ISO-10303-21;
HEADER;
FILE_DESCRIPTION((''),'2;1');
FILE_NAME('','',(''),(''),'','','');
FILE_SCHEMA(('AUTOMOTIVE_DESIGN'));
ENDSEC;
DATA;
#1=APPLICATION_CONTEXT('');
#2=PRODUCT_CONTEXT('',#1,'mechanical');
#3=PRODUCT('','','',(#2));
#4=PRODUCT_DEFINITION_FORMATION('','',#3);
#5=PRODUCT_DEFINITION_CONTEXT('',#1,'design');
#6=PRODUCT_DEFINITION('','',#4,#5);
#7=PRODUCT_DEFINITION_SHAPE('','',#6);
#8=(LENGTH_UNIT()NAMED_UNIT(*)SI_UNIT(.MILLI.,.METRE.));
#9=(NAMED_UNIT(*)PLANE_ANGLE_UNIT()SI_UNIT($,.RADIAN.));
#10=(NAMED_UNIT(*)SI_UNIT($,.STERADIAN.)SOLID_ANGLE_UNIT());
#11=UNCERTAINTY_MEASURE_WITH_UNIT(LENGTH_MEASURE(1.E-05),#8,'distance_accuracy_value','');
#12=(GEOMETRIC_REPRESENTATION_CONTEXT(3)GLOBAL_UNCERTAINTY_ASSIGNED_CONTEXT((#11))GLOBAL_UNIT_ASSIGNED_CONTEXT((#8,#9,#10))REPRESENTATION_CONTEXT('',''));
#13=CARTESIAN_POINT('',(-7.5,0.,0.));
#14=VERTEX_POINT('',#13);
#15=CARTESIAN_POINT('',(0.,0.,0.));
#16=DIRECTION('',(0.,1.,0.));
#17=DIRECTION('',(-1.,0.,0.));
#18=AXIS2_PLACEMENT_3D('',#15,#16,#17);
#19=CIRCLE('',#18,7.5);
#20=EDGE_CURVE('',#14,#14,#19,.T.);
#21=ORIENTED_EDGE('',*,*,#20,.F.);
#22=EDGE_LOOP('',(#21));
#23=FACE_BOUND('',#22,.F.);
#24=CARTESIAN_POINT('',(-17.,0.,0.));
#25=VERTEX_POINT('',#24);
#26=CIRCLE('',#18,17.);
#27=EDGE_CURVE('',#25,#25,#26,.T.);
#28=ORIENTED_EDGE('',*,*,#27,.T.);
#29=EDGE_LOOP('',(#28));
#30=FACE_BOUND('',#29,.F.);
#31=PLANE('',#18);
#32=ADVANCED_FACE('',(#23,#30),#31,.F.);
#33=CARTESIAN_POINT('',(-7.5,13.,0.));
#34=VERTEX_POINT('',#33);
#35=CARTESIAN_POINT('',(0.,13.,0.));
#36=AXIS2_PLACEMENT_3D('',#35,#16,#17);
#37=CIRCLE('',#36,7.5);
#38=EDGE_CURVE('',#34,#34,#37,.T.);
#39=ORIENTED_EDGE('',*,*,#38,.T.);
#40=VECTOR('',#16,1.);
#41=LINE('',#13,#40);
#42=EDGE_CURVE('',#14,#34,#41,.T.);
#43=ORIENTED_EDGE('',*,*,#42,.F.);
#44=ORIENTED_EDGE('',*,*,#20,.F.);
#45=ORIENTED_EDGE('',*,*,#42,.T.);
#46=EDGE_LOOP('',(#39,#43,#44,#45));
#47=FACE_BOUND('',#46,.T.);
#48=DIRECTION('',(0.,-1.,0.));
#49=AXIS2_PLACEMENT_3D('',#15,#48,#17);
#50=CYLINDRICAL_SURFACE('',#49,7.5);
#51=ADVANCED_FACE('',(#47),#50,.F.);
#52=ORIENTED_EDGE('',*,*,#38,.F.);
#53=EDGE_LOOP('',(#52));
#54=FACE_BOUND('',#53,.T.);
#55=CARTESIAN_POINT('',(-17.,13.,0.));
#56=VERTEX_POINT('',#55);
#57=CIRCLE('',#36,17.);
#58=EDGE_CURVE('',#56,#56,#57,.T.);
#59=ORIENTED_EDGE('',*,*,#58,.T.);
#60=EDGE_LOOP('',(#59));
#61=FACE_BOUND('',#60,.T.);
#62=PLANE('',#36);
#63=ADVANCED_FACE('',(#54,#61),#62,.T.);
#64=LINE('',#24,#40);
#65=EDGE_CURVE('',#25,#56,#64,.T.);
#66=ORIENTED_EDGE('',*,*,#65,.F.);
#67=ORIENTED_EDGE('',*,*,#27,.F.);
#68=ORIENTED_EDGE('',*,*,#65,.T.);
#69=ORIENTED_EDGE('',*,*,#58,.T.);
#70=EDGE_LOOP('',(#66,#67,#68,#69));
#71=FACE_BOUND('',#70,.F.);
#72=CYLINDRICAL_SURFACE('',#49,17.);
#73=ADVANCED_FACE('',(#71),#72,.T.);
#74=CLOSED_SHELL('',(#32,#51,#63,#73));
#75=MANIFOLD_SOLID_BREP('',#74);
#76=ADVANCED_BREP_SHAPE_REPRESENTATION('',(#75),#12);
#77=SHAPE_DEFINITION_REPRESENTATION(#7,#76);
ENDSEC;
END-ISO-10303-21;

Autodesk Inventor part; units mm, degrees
ref_plane "YZ Plane" through (0, 0, 0) normal (1, 0, 0) x (0, 1, 0)
ref_plane "XZ Plane" through (0, 0, 0) normal (0, 1, 0) x (-1, 0, 0)
ref_plane "XY Plane" through (0, 0, 0) normal (0, 0, 1) x (1, 0, 0)
sketch "Sketch1" plane through (0, 0, 0) normal (0, 1, 0) x (-1, 0, 0)
  circle A0 centre (0, 0) radius 7.5
  circle A1 centre (0, 0) radius 17
  dimension "d0" = 15
  dimension "d1" = 34
extrude "Extrusion1" add sketch "Sketch1" along normal blind 13
properties part number "schaftManschetteV1"
